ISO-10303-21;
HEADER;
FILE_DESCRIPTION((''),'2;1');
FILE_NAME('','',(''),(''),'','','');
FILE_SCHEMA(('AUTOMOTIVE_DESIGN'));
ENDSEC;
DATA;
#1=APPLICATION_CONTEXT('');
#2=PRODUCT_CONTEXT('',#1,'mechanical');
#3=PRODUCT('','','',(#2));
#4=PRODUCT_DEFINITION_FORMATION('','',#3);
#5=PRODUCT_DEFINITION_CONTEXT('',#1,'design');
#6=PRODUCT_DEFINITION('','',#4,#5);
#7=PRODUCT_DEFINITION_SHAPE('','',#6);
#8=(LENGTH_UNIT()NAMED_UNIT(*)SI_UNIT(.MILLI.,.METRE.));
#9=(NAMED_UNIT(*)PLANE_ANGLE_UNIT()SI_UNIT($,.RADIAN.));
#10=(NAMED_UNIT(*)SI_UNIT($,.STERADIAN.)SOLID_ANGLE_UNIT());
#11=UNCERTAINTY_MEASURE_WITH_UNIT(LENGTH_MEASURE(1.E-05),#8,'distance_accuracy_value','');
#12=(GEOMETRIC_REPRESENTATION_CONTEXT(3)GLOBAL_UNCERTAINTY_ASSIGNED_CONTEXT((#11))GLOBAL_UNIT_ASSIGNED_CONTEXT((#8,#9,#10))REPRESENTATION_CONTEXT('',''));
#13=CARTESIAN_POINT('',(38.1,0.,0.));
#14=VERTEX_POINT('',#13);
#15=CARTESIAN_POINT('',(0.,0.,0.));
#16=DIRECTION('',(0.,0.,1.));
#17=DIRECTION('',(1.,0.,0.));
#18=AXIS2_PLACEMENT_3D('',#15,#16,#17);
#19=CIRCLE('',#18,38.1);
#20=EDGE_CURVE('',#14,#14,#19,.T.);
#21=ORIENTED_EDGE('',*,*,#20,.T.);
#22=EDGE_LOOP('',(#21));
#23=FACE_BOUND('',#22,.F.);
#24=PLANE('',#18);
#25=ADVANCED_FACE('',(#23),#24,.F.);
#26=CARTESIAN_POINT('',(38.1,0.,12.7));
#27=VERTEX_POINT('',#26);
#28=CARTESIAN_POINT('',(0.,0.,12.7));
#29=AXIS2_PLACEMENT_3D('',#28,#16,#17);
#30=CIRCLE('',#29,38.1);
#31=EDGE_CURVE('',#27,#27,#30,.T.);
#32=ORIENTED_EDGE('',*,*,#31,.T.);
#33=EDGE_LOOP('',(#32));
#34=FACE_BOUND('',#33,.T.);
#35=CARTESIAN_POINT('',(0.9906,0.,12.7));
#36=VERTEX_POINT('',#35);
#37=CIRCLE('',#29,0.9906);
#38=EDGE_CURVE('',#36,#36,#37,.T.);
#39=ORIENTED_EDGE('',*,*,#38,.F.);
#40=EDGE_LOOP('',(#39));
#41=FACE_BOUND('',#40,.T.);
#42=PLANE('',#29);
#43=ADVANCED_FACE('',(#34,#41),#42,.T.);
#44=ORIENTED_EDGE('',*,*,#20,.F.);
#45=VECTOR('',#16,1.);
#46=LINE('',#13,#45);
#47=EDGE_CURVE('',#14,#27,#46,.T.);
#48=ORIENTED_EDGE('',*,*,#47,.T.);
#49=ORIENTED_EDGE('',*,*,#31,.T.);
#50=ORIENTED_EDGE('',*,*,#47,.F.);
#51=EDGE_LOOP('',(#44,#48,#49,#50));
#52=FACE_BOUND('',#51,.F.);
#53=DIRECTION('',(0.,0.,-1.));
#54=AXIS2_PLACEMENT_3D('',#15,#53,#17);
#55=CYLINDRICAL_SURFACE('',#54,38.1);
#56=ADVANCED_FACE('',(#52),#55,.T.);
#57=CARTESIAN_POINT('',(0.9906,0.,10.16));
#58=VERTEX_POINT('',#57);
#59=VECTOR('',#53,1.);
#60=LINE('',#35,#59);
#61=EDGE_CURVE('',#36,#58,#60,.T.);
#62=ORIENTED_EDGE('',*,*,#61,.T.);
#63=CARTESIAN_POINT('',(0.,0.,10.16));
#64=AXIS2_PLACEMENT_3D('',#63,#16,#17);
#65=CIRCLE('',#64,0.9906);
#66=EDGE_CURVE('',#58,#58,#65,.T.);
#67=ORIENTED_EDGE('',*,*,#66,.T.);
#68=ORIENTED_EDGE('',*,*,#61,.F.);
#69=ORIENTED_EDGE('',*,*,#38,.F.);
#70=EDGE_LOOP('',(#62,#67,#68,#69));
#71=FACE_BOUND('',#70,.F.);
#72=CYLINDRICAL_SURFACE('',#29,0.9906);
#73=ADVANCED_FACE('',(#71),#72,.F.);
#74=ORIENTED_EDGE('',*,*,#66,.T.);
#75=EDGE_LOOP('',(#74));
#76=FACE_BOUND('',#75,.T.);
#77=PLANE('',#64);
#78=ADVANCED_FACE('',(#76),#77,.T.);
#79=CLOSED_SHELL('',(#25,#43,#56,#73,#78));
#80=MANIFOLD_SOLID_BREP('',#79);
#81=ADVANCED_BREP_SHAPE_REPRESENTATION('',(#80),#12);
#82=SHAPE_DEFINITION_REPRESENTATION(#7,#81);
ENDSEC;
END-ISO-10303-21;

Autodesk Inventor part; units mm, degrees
ref_plane "YZ Plane" through (0, 0, 0) normal (1, 0, 0) x (0, 1, 0)
ref_plane "XZ Plane" through (0, 0, 0) normal (0, 1, 0) x (-1, 0, 0)
ref_plane "XY Plane" through (0, 0, 0) normal (0, 0, 1) x (1, 0, 0)
sketch "Sketch1" plane through (0, 0, 0) normal (0, 0, 1) x (1, 0, 0)
  circle A0 centre (0, 0) radius 38.1
  dimension "d0" = 76.2
extrude "Extrusion1" add sketch "Sketch1" along normal blind 12.7
sketch "Sketch2" plane through (0, 0, 12.7) normal (0, 0, 1) x (1, 0, 0)
  circle A0 centre (0, 0) radius 0.9906
  dimension "d3" = 1.9812
extrude "Extrusion2" cut sketch "Sketch2" against normal blind 2.54
properties part number "wheel done"
